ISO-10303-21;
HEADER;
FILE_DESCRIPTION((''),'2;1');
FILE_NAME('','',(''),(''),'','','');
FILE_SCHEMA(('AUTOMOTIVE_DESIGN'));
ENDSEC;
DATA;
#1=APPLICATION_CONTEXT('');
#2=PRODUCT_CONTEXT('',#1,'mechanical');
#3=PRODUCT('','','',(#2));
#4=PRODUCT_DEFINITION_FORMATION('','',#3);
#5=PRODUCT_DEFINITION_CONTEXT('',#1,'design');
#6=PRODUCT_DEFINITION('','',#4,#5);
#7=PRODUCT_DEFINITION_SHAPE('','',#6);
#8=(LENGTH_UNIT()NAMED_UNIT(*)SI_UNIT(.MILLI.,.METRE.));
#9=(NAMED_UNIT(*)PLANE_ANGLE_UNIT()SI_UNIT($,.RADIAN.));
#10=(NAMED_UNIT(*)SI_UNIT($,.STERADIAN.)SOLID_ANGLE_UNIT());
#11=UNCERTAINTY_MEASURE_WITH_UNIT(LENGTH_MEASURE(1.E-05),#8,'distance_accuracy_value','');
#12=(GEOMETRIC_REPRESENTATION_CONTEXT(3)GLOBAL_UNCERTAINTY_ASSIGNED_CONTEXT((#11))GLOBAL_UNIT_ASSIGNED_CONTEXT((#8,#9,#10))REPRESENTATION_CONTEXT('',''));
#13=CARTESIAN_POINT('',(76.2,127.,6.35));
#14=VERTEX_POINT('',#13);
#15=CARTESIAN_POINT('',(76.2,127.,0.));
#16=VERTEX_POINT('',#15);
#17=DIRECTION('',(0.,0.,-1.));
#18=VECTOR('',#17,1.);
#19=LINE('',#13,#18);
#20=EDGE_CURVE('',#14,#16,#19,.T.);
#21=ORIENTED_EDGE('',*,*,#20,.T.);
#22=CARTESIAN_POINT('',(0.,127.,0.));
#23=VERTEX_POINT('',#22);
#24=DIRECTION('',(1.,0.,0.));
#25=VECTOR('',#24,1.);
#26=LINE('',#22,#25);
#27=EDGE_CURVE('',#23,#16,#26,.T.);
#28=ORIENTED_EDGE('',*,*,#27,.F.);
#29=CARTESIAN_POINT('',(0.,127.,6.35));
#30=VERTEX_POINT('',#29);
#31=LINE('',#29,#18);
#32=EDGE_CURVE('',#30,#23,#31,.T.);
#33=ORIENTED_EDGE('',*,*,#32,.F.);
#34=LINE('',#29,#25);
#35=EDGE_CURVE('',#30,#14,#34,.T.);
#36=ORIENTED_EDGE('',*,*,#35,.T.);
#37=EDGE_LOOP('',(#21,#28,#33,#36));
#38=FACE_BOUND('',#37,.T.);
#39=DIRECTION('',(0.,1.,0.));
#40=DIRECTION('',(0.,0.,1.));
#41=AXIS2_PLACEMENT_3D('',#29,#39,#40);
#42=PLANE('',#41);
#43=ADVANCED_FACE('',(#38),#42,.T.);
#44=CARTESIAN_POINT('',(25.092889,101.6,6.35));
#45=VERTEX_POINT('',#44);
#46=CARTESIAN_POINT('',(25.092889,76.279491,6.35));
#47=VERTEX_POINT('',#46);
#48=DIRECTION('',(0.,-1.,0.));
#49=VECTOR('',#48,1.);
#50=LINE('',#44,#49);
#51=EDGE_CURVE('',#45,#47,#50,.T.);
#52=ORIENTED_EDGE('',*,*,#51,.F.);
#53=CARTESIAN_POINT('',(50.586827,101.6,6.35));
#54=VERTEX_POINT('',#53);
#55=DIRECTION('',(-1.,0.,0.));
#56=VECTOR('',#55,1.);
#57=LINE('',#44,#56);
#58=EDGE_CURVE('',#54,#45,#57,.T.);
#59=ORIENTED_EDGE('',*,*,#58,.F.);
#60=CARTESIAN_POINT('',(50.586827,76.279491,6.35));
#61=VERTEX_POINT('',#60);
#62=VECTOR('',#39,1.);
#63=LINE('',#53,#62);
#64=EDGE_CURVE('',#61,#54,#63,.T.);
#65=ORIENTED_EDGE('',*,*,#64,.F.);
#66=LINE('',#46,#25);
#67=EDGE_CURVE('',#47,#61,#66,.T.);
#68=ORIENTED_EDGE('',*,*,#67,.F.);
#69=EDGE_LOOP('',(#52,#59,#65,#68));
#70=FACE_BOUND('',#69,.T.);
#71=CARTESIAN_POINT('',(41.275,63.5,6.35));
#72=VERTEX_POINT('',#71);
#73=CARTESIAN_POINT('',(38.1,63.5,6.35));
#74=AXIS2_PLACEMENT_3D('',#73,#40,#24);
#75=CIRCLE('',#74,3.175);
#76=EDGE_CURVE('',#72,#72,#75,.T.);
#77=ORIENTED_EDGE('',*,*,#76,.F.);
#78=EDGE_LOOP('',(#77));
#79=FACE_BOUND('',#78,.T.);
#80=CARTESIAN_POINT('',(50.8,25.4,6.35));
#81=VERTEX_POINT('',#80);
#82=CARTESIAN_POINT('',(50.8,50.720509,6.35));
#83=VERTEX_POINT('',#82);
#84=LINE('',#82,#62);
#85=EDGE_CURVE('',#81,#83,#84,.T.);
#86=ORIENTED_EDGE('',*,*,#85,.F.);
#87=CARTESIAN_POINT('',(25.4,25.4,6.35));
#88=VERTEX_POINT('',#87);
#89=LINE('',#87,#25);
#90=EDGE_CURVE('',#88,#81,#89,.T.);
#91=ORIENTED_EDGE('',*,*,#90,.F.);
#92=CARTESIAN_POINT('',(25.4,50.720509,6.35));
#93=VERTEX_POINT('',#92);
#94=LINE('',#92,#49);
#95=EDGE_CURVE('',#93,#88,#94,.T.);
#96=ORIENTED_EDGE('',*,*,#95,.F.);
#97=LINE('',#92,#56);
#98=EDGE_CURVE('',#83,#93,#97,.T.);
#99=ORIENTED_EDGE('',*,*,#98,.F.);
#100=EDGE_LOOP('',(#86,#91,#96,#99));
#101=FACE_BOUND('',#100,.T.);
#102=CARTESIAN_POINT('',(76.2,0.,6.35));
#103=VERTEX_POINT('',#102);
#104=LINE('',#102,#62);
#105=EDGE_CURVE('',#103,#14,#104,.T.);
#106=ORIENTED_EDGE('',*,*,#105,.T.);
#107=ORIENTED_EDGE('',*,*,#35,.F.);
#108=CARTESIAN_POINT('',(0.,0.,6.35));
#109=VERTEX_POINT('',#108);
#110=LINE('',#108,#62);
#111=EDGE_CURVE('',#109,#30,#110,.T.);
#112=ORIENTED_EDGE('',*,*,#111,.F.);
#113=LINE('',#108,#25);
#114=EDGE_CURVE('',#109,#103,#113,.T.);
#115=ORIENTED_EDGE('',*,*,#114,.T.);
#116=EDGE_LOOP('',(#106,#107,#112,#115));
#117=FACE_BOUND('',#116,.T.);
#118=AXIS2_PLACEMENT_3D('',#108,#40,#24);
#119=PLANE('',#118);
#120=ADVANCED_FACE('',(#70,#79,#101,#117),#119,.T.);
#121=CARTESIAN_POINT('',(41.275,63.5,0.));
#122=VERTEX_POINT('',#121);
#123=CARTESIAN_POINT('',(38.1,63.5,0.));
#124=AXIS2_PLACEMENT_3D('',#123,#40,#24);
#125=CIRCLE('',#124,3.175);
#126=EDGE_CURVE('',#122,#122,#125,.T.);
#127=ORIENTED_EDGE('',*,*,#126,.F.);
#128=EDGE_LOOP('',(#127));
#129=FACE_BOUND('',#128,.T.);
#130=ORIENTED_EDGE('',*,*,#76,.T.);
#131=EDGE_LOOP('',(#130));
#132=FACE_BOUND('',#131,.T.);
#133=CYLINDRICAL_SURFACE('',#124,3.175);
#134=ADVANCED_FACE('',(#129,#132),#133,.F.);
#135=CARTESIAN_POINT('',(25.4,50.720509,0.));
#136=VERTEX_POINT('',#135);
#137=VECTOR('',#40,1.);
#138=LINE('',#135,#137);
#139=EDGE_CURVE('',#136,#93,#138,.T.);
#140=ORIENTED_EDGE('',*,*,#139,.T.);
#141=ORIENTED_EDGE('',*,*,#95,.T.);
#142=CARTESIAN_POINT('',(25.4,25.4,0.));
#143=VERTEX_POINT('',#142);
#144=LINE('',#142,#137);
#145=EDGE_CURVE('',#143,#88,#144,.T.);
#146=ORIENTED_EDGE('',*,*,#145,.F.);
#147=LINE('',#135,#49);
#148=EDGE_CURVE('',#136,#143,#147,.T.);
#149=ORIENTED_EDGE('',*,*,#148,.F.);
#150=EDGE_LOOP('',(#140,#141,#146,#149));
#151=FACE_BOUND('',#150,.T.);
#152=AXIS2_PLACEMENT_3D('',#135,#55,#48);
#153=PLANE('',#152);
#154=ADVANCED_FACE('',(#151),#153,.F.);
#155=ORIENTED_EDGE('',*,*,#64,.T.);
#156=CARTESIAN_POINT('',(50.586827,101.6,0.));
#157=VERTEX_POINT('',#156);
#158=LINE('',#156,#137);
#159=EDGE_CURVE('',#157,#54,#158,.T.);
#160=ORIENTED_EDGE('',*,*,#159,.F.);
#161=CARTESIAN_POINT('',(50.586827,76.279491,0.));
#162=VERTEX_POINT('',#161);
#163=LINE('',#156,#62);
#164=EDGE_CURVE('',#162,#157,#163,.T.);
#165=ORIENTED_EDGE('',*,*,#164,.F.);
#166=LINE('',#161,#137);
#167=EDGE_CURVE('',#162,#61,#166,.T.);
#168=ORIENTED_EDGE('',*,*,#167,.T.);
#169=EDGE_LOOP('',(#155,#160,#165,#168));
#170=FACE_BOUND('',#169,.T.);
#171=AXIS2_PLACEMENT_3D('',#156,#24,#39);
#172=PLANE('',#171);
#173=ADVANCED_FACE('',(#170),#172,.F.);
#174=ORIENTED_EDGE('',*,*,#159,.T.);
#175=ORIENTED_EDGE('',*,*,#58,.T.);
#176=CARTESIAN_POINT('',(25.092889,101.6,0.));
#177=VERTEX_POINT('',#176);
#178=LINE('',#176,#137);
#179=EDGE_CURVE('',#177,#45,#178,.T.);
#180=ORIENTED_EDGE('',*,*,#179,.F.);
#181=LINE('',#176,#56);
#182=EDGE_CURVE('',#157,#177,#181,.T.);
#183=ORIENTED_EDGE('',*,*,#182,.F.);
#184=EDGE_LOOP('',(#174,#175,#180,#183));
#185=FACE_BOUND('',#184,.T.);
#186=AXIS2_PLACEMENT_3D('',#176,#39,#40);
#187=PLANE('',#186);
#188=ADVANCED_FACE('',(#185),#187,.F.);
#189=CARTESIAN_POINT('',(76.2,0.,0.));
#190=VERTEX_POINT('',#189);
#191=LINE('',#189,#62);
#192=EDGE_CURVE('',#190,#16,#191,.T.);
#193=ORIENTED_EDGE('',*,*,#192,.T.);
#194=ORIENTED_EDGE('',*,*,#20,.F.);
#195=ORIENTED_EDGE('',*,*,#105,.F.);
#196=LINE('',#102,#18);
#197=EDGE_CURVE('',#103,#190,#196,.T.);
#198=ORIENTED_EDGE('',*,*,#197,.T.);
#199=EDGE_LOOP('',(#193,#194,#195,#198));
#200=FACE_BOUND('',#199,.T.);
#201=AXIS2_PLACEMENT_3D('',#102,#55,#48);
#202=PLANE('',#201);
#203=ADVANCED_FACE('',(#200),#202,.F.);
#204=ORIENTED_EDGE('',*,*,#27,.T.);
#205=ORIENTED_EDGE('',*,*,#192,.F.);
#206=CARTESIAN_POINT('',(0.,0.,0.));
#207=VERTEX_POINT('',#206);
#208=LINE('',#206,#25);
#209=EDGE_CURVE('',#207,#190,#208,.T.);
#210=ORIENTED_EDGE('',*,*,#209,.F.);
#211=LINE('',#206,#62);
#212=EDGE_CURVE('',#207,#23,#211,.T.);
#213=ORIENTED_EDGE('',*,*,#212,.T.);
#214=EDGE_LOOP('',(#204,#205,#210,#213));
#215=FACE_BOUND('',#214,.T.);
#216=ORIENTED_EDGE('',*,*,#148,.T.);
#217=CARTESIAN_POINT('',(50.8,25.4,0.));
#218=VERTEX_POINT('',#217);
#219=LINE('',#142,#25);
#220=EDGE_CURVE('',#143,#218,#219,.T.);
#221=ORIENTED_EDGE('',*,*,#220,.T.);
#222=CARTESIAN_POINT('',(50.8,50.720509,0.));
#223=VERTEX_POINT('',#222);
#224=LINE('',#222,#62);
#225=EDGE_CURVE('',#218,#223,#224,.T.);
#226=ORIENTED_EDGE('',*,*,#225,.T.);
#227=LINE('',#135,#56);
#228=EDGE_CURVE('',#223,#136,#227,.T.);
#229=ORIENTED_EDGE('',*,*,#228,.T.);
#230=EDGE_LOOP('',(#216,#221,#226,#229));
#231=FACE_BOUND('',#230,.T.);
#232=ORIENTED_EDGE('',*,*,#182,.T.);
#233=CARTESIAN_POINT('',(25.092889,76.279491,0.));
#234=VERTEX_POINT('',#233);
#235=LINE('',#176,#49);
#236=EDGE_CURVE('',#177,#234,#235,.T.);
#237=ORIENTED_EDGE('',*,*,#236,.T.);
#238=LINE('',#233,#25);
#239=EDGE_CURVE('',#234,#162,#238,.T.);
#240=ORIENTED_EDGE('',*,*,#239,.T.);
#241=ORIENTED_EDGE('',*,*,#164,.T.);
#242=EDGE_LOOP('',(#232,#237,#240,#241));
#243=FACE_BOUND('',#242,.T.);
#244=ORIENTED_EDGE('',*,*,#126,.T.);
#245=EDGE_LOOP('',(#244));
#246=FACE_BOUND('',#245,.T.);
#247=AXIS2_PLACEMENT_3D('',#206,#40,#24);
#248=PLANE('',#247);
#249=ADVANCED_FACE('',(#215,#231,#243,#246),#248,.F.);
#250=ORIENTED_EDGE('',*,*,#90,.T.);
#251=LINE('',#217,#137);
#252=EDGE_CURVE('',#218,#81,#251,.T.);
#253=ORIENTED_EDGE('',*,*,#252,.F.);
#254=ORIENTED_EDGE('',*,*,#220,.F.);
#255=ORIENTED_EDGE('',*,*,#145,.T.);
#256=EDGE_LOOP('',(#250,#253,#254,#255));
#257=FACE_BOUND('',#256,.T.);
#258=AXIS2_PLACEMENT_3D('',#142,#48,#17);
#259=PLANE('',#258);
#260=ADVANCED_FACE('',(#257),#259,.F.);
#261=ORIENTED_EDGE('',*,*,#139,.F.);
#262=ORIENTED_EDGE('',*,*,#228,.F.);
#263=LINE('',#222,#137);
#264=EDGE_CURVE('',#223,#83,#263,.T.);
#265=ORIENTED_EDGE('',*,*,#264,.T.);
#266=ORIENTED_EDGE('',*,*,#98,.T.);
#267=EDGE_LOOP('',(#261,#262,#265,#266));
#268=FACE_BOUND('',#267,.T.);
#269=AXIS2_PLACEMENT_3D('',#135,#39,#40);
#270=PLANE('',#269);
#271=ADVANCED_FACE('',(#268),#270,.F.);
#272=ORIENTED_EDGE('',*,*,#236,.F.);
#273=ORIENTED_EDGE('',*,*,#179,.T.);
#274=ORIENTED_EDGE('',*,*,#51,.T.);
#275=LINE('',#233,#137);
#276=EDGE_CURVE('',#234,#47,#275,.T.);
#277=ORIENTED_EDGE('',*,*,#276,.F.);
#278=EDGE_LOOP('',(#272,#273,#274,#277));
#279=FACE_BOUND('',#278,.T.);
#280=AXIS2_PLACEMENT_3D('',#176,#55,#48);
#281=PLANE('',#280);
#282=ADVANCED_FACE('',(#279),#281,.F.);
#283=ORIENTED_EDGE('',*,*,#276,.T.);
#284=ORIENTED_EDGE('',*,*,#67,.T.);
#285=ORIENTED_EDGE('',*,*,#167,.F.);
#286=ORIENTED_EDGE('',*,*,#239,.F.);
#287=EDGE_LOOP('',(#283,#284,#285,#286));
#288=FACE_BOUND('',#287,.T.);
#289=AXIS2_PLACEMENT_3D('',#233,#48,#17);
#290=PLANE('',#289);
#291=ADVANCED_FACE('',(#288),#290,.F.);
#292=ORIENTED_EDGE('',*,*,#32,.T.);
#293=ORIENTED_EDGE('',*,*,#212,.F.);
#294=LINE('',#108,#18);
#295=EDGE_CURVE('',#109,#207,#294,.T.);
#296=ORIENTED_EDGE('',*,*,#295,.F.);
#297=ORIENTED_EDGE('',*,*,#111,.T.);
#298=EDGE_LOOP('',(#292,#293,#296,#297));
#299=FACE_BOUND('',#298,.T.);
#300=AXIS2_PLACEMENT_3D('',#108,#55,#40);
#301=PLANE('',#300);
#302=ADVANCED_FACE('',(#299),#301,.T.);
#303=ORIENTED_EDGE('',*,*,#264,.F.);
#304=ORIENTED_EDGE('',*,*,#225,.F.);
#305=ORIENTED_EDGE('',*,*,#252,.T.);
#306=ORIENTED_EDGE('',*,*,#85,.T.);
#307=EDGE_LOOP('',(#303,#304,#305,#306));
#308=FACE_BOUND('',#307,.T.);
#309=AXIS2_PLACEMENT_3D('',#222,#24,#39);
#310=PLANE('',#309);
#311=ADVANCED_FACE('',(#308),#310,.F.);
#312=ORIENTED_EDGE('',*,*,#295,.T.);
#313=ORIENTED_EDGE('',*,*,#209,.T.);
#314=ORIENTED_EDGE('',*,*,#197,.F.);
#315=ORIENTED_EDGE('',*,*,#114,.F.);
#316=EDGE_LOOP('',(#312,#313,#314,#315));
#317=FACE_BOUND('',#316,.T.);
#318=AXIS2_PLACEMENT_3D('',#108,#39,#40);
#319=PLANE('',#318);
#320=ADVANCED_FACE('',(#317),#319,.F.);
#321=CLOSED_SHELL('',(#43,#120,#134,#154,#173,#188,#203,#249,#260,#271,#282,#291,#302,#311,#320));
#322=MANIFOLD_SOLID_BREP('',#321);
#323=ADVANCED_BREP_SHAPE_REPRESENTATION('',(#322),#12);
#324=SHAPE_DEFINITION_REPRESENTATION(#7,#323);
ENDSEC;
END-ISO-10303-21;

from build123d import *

# Parameters (mm, degrees)
SKETCH1_W           = 76.2
SKETCH1_H           = 127
BOSS_EXTRUDE1_DEPTH = 6.35
SKETCH3_R           = 3.175
SKETCH3_W           = 25.493937525
SKETCH3_H           = 25.320509378
SKETCH3_W_2         = 25.4
CUT_EXTRUDE2_DEPTH  = 6.35


with BuildPart() as part:
    # Sketch1 → Boss-Extrude1 (new body)
    with BuildSketch(Plane.XY):
        with Locations((38.1, 63.5)):
            Rectangle(SKETCH1_W, SKETCH1_H)
    extrude(amount=BOSS_EXTRUDE1_DEPTH)

    # Sketch3 → Cut-Extrude2 (cut)
    with BuildSketch(Plane.XY.offset(6.35)):
        with Locations((38.1, 63.5)):
            Circle(SKETCH3_R)
        with Locations((37.83985778, 88.939745311)):
            Rectangle(SKETCH3_W, SKETCH3_H)
        with Locations((38.1, 38.060254689)):
            Rectangle(SKETCH3_W_2, SKETCH3_H)
    extrude(amount=-CUT_EXTRUDE2_DEPTH, mode=Mode.SUBTRACT)


solid = part.part
